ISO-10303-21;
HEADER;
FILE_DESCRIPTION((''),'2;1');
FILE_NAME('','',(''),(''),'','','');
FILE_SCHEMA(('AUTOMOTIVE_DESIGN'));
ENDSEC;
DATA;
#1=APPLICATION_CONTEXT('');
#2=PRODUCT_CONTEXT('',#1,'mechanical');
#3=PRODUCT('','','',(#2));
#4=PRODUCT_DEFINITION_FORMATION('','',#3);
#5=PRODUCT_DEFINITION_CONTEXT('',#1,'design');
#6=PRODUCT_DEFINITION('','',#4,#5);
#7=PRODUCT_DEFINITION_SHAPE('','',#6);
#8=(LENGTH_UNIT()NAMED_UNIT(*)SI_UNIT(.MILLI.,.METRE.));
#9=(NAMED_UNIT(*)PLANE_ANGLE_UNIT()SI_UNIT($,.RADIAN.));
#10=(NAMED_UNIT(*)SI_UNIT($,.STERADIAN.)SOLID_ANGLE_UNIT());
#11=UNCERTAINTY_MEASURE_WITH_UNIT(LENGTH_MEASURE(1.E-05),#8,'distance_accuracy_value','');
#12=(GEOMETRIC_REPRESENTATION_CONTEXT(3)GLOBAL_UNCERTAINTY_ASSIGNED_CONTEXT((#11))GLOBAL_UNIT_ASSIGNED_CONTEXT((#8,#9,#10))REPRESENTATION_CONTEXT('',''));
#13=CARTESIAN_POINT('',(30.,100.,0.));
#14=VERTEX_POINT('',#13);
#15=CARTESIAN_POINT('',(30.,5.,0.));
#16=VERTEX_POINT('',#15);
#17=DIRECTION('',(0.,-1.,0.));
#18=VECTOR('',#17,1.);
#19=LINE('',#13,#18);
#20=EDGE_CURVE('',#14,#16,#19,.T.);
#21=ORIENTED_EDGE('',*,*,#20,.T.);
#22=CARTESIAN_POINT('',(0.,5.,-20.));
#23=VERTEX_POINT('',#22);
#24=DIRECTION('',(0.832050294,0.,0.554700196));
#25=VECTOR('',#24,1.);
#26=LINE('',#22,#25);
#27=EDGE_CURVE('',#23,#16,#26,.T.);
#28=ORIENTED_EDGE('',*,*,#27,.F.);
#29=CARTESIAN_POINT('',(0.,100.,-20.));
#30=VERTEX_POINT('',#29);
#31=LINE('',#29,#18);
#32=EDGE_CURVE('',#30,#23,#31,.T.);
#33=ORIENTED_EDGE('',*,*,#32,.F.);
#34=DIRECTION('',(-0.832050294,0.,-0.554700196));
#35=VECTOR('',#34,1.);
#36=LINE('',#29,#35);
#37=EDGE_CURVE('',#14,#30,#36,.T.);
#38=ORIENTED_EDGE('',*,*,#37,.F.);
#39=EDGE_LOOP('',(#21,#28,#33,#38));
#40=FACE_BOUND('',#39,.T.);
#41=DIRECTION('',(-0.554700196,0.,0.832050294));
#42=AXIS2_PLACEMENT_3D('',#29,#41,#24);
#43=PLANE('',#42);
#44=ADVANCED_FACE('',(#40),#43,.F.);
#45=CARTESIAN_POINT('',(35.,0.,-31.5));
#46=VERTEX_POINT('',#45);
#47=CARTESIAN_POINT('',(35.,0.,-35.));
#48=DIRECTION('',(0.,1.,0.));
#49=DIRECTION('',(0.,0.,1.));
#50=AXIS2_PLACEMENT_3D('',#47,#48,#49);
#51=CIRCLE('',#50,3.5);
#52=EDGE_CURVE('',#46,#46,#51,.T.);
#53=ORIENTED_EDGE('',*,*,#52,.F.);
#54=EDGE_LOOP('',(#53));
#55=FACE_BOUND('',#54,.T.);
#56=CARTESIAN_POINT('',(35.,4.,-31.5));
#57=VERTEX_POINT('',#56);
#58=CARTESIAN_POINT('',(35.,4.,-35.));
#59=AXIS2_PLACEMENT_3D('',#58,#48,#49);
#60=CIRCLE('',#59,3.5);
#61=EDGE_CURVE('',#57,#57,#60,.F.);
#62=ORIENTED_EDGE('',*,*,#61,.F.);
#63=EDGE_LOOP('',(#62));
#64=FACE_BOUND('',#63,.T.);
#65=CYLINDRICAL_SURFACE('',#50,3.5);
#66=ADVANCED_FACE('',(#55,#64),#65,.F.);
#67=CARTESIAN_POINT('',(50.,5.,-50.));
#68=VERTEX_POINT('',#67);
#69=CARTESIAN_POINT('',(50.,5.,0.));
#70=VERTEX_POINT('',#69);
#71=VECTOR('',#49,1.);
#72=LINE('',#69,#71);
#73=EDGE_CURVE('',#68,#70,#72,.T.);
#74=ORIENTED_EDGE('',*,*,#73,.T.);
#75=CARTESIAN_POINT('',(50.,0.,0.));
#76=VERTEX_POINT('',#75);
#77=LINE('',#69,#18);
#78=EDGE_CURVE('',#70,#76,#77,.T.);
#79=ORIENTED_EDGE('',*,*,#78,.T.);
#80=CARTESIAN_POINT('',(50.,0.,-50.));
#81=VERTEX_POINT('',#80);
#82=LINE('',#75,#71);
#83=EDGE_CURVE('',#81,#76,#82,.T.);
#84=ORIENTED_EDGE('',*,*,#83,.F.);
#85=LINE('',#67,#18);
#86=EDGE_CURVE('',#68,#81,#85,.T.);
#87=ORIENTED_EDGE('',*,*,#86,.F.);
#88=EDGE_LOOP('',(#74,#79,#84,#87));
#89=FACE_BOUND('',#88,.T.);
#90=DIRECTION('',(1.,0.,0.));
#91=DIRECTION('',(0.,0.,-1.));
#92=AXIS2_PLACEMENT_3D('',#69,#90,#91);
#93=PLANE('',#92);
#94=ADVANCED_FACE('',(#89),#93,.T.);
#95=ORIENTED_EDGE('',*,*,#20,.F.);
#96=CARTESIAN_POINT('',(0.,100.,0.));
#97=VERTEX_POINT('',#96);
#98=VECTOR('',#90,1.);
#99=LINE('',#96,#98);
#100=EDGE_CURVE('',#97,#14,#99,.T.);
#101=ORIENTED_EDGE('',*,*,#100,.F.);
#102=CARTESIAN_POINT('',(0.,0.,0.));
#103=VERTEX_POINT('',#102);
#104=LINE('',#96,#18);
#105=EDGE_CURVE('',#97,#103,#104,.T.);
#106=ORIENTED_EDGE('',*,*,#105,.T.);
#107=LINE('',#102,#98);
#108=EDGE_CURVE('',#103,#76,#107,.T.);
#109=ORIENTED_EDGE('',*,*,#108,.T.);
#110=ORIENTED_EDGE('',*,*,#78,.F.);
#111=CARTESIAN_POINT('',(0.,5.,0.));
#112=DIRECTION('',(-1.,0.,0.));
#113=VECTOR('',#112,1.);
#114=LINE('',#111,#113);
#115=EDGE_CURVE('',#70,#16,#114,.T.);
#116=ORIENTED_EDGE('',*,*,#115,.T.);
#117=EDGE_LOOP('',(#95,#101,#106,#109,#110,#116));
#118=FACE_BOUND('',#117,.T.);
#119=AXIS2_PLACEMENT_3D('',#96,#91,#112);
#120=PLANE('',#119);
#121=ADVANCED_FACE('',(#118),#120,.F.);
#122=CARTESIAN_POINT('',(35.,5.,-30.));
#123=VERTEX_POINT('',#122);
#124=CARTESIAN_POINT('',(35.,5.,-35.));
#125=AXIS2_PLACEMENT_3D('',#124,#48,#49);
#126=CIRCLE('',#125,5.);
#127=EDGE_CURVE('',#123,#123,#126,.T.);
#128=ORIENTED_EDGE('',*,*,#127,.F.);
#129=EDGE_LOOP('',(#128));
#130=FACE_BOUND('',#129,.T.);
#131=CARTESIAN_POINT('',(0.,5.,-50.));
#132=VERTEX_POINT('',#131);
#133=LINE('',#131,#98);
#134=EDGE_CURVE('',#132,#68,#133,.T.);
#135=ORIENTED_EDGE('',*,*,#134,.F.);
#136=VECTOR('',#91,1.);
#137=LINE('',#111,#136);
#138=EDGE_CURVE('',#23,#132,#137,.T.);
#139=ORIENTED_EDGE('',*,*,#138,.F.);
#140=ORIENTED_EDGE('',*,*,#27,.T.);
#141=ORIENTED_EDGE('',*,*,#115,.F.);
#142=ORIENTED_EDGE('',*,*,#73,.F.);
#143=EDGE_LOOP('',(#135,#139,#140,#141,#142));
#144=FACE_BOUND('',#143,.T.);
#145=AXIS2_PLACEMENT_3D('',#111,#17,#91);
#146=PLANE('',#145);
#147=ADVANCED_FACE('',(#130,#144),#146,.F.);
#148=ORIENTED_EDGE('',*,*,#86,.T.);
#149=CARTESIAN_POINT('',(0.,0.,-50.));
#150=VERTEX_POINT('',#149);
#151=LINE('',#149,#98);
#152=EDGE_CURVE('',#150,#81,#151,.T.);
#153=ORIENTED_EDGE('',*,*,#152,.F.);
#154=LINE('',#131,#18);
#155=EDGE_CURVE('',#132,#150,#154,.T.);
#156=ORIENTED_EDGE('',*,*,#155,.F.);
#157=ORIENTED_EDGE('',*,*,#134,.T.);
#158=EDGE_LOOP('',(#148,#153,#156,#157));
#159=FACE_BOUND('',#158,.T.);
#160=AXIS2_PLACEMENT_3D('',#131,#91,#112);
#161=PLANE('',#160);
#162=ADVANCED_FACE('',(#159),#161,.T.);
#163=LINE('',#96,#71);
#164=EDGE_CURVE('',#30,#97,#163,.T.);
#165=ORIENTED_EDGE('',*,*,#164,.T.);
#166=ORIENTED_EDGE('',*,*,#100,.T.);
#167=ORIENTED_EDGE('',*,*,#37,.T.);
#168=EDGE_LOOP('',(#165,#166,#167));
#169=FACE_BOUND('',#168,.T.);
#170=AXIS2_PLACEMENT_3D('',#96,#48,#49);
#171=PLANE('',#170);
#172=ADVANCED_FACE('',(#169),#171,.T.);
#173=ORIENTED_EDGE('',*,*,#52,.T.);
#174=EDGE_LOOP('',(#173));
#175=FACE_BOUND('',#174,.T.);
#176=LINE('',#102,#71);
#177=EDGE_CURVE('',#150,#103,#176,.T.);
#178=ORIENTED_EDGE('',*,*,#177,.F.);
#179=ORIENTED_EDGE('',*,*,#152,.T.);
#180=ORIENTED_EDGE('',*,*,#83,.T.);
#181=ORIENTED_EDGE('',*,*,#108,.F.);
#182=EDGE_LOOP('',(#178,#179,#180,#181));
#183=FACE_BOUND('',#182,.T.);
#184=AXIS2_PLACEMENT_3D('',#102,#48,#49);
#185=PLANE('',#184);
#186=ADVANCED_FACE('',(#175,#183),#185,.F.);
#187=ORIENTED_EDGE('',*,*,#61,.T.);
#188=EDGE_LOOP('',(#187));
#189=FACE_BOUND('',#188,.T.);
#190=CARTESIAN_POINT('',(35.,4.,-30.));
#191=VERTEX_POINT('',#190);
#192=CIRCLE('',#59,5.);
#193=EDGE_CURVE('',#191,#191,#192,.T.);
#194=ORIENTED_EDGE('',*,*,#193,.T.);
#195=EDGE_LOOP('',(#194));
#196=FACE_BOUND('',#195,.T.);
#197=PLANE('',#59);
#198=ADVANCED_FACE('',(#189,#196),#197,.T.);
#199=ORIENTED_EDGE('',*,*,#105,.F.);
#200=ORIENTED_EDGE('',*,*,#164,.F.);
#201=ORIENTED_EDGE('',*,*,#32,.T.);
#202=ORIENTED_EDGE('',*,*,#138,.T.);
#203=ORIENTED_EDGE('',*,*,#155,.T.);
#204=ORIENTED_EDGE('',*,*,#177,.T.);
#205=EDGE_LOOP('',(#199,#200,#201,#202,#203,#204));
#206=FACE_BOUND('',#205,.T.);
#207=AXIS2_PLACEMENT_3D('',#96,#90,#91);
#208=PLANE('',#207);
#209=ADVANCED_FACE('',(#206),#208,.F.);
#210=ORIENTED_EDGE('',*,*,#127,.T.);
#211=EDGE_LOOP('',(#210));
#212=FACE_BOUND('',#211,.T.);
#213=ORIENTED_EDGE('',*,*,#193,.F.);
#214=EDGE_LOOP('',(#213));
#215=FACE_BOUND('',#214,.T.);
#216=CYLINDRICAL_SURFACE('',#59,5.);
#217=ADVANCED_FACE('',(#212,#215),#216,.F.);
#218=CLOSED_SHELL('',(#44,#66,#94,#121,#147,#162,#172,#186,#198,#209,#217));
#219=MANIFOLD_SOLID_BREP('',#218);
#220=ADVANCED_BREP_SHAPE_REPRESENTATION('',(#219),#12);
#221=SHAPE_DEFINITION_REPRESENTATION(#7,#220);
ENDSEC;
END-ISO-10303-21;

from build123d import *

# Parameters (mm, degrees)
BOSS_EXTRUDE1_DEPTH = 100
SKETCH2_W           = 50
SKETCH2_H           = 50
BOSS_EXTRUDE2_DEPTH = 5
SKETCH3_R           = 3.5
CUT_EXTRUDE1_DEPTH  = 119.427192823
SKETCH4_R           = 5
CUT_EXTRUDE2_DEPTH  = 1


with BuildPart() as part:
    # Sketch1 → Boss-Extrude1 (new body)
    with BuildSketch(Plane(origin=(0, 0, 0), x_dir=(1, 0, 0), z_dir=(0, 1, 0))):
        Polygon((0, 0), (0, 20), (30, 0), align=None)
    extrude(amount=BOSS_EXTRUDE1_DEPTH)

    # Sketch2 → Boss-Extrude2 (add)
    with BuildSketch(Plane.XZ):
        with Locations((25, -25)):
            Rectangle(SKETCH2_W, SKETCH2_H)
    extrude(amount=-BOSS_EXTRUDE2_DEPTH)

    # Sketch3 → Cut-Extrude1 (cut, through all)
    with BuildSketch(Plane(origin=(0, 5, 0), x_dir=(1, 0, 0), z_dir=(0, 1, 0))):
        with Locations(Location((35, 35, 0), (0, 0, 270))):
            Circle(SKETCH3_R)
    extrude(amount=-CUT_EXTRUDE1_DEPTH, mode=Mode.SUBTRACT)

    # Sketch4 → Cut-Extrude2 (cut)
    with BuildSketch(Plane(origin=(0, 5, 0), x_dir=(1, 0, 0), z_dir=(0, 1, 0))):
        with Locations(Location((35, 35, 0), (0, 0, 270))):
            Circle(SKETCH4_R)
    extrude(amount=-CUT_EXTRUDE2_DEPTH, mode=Mode.SUBTRACT)


solid = part.part
